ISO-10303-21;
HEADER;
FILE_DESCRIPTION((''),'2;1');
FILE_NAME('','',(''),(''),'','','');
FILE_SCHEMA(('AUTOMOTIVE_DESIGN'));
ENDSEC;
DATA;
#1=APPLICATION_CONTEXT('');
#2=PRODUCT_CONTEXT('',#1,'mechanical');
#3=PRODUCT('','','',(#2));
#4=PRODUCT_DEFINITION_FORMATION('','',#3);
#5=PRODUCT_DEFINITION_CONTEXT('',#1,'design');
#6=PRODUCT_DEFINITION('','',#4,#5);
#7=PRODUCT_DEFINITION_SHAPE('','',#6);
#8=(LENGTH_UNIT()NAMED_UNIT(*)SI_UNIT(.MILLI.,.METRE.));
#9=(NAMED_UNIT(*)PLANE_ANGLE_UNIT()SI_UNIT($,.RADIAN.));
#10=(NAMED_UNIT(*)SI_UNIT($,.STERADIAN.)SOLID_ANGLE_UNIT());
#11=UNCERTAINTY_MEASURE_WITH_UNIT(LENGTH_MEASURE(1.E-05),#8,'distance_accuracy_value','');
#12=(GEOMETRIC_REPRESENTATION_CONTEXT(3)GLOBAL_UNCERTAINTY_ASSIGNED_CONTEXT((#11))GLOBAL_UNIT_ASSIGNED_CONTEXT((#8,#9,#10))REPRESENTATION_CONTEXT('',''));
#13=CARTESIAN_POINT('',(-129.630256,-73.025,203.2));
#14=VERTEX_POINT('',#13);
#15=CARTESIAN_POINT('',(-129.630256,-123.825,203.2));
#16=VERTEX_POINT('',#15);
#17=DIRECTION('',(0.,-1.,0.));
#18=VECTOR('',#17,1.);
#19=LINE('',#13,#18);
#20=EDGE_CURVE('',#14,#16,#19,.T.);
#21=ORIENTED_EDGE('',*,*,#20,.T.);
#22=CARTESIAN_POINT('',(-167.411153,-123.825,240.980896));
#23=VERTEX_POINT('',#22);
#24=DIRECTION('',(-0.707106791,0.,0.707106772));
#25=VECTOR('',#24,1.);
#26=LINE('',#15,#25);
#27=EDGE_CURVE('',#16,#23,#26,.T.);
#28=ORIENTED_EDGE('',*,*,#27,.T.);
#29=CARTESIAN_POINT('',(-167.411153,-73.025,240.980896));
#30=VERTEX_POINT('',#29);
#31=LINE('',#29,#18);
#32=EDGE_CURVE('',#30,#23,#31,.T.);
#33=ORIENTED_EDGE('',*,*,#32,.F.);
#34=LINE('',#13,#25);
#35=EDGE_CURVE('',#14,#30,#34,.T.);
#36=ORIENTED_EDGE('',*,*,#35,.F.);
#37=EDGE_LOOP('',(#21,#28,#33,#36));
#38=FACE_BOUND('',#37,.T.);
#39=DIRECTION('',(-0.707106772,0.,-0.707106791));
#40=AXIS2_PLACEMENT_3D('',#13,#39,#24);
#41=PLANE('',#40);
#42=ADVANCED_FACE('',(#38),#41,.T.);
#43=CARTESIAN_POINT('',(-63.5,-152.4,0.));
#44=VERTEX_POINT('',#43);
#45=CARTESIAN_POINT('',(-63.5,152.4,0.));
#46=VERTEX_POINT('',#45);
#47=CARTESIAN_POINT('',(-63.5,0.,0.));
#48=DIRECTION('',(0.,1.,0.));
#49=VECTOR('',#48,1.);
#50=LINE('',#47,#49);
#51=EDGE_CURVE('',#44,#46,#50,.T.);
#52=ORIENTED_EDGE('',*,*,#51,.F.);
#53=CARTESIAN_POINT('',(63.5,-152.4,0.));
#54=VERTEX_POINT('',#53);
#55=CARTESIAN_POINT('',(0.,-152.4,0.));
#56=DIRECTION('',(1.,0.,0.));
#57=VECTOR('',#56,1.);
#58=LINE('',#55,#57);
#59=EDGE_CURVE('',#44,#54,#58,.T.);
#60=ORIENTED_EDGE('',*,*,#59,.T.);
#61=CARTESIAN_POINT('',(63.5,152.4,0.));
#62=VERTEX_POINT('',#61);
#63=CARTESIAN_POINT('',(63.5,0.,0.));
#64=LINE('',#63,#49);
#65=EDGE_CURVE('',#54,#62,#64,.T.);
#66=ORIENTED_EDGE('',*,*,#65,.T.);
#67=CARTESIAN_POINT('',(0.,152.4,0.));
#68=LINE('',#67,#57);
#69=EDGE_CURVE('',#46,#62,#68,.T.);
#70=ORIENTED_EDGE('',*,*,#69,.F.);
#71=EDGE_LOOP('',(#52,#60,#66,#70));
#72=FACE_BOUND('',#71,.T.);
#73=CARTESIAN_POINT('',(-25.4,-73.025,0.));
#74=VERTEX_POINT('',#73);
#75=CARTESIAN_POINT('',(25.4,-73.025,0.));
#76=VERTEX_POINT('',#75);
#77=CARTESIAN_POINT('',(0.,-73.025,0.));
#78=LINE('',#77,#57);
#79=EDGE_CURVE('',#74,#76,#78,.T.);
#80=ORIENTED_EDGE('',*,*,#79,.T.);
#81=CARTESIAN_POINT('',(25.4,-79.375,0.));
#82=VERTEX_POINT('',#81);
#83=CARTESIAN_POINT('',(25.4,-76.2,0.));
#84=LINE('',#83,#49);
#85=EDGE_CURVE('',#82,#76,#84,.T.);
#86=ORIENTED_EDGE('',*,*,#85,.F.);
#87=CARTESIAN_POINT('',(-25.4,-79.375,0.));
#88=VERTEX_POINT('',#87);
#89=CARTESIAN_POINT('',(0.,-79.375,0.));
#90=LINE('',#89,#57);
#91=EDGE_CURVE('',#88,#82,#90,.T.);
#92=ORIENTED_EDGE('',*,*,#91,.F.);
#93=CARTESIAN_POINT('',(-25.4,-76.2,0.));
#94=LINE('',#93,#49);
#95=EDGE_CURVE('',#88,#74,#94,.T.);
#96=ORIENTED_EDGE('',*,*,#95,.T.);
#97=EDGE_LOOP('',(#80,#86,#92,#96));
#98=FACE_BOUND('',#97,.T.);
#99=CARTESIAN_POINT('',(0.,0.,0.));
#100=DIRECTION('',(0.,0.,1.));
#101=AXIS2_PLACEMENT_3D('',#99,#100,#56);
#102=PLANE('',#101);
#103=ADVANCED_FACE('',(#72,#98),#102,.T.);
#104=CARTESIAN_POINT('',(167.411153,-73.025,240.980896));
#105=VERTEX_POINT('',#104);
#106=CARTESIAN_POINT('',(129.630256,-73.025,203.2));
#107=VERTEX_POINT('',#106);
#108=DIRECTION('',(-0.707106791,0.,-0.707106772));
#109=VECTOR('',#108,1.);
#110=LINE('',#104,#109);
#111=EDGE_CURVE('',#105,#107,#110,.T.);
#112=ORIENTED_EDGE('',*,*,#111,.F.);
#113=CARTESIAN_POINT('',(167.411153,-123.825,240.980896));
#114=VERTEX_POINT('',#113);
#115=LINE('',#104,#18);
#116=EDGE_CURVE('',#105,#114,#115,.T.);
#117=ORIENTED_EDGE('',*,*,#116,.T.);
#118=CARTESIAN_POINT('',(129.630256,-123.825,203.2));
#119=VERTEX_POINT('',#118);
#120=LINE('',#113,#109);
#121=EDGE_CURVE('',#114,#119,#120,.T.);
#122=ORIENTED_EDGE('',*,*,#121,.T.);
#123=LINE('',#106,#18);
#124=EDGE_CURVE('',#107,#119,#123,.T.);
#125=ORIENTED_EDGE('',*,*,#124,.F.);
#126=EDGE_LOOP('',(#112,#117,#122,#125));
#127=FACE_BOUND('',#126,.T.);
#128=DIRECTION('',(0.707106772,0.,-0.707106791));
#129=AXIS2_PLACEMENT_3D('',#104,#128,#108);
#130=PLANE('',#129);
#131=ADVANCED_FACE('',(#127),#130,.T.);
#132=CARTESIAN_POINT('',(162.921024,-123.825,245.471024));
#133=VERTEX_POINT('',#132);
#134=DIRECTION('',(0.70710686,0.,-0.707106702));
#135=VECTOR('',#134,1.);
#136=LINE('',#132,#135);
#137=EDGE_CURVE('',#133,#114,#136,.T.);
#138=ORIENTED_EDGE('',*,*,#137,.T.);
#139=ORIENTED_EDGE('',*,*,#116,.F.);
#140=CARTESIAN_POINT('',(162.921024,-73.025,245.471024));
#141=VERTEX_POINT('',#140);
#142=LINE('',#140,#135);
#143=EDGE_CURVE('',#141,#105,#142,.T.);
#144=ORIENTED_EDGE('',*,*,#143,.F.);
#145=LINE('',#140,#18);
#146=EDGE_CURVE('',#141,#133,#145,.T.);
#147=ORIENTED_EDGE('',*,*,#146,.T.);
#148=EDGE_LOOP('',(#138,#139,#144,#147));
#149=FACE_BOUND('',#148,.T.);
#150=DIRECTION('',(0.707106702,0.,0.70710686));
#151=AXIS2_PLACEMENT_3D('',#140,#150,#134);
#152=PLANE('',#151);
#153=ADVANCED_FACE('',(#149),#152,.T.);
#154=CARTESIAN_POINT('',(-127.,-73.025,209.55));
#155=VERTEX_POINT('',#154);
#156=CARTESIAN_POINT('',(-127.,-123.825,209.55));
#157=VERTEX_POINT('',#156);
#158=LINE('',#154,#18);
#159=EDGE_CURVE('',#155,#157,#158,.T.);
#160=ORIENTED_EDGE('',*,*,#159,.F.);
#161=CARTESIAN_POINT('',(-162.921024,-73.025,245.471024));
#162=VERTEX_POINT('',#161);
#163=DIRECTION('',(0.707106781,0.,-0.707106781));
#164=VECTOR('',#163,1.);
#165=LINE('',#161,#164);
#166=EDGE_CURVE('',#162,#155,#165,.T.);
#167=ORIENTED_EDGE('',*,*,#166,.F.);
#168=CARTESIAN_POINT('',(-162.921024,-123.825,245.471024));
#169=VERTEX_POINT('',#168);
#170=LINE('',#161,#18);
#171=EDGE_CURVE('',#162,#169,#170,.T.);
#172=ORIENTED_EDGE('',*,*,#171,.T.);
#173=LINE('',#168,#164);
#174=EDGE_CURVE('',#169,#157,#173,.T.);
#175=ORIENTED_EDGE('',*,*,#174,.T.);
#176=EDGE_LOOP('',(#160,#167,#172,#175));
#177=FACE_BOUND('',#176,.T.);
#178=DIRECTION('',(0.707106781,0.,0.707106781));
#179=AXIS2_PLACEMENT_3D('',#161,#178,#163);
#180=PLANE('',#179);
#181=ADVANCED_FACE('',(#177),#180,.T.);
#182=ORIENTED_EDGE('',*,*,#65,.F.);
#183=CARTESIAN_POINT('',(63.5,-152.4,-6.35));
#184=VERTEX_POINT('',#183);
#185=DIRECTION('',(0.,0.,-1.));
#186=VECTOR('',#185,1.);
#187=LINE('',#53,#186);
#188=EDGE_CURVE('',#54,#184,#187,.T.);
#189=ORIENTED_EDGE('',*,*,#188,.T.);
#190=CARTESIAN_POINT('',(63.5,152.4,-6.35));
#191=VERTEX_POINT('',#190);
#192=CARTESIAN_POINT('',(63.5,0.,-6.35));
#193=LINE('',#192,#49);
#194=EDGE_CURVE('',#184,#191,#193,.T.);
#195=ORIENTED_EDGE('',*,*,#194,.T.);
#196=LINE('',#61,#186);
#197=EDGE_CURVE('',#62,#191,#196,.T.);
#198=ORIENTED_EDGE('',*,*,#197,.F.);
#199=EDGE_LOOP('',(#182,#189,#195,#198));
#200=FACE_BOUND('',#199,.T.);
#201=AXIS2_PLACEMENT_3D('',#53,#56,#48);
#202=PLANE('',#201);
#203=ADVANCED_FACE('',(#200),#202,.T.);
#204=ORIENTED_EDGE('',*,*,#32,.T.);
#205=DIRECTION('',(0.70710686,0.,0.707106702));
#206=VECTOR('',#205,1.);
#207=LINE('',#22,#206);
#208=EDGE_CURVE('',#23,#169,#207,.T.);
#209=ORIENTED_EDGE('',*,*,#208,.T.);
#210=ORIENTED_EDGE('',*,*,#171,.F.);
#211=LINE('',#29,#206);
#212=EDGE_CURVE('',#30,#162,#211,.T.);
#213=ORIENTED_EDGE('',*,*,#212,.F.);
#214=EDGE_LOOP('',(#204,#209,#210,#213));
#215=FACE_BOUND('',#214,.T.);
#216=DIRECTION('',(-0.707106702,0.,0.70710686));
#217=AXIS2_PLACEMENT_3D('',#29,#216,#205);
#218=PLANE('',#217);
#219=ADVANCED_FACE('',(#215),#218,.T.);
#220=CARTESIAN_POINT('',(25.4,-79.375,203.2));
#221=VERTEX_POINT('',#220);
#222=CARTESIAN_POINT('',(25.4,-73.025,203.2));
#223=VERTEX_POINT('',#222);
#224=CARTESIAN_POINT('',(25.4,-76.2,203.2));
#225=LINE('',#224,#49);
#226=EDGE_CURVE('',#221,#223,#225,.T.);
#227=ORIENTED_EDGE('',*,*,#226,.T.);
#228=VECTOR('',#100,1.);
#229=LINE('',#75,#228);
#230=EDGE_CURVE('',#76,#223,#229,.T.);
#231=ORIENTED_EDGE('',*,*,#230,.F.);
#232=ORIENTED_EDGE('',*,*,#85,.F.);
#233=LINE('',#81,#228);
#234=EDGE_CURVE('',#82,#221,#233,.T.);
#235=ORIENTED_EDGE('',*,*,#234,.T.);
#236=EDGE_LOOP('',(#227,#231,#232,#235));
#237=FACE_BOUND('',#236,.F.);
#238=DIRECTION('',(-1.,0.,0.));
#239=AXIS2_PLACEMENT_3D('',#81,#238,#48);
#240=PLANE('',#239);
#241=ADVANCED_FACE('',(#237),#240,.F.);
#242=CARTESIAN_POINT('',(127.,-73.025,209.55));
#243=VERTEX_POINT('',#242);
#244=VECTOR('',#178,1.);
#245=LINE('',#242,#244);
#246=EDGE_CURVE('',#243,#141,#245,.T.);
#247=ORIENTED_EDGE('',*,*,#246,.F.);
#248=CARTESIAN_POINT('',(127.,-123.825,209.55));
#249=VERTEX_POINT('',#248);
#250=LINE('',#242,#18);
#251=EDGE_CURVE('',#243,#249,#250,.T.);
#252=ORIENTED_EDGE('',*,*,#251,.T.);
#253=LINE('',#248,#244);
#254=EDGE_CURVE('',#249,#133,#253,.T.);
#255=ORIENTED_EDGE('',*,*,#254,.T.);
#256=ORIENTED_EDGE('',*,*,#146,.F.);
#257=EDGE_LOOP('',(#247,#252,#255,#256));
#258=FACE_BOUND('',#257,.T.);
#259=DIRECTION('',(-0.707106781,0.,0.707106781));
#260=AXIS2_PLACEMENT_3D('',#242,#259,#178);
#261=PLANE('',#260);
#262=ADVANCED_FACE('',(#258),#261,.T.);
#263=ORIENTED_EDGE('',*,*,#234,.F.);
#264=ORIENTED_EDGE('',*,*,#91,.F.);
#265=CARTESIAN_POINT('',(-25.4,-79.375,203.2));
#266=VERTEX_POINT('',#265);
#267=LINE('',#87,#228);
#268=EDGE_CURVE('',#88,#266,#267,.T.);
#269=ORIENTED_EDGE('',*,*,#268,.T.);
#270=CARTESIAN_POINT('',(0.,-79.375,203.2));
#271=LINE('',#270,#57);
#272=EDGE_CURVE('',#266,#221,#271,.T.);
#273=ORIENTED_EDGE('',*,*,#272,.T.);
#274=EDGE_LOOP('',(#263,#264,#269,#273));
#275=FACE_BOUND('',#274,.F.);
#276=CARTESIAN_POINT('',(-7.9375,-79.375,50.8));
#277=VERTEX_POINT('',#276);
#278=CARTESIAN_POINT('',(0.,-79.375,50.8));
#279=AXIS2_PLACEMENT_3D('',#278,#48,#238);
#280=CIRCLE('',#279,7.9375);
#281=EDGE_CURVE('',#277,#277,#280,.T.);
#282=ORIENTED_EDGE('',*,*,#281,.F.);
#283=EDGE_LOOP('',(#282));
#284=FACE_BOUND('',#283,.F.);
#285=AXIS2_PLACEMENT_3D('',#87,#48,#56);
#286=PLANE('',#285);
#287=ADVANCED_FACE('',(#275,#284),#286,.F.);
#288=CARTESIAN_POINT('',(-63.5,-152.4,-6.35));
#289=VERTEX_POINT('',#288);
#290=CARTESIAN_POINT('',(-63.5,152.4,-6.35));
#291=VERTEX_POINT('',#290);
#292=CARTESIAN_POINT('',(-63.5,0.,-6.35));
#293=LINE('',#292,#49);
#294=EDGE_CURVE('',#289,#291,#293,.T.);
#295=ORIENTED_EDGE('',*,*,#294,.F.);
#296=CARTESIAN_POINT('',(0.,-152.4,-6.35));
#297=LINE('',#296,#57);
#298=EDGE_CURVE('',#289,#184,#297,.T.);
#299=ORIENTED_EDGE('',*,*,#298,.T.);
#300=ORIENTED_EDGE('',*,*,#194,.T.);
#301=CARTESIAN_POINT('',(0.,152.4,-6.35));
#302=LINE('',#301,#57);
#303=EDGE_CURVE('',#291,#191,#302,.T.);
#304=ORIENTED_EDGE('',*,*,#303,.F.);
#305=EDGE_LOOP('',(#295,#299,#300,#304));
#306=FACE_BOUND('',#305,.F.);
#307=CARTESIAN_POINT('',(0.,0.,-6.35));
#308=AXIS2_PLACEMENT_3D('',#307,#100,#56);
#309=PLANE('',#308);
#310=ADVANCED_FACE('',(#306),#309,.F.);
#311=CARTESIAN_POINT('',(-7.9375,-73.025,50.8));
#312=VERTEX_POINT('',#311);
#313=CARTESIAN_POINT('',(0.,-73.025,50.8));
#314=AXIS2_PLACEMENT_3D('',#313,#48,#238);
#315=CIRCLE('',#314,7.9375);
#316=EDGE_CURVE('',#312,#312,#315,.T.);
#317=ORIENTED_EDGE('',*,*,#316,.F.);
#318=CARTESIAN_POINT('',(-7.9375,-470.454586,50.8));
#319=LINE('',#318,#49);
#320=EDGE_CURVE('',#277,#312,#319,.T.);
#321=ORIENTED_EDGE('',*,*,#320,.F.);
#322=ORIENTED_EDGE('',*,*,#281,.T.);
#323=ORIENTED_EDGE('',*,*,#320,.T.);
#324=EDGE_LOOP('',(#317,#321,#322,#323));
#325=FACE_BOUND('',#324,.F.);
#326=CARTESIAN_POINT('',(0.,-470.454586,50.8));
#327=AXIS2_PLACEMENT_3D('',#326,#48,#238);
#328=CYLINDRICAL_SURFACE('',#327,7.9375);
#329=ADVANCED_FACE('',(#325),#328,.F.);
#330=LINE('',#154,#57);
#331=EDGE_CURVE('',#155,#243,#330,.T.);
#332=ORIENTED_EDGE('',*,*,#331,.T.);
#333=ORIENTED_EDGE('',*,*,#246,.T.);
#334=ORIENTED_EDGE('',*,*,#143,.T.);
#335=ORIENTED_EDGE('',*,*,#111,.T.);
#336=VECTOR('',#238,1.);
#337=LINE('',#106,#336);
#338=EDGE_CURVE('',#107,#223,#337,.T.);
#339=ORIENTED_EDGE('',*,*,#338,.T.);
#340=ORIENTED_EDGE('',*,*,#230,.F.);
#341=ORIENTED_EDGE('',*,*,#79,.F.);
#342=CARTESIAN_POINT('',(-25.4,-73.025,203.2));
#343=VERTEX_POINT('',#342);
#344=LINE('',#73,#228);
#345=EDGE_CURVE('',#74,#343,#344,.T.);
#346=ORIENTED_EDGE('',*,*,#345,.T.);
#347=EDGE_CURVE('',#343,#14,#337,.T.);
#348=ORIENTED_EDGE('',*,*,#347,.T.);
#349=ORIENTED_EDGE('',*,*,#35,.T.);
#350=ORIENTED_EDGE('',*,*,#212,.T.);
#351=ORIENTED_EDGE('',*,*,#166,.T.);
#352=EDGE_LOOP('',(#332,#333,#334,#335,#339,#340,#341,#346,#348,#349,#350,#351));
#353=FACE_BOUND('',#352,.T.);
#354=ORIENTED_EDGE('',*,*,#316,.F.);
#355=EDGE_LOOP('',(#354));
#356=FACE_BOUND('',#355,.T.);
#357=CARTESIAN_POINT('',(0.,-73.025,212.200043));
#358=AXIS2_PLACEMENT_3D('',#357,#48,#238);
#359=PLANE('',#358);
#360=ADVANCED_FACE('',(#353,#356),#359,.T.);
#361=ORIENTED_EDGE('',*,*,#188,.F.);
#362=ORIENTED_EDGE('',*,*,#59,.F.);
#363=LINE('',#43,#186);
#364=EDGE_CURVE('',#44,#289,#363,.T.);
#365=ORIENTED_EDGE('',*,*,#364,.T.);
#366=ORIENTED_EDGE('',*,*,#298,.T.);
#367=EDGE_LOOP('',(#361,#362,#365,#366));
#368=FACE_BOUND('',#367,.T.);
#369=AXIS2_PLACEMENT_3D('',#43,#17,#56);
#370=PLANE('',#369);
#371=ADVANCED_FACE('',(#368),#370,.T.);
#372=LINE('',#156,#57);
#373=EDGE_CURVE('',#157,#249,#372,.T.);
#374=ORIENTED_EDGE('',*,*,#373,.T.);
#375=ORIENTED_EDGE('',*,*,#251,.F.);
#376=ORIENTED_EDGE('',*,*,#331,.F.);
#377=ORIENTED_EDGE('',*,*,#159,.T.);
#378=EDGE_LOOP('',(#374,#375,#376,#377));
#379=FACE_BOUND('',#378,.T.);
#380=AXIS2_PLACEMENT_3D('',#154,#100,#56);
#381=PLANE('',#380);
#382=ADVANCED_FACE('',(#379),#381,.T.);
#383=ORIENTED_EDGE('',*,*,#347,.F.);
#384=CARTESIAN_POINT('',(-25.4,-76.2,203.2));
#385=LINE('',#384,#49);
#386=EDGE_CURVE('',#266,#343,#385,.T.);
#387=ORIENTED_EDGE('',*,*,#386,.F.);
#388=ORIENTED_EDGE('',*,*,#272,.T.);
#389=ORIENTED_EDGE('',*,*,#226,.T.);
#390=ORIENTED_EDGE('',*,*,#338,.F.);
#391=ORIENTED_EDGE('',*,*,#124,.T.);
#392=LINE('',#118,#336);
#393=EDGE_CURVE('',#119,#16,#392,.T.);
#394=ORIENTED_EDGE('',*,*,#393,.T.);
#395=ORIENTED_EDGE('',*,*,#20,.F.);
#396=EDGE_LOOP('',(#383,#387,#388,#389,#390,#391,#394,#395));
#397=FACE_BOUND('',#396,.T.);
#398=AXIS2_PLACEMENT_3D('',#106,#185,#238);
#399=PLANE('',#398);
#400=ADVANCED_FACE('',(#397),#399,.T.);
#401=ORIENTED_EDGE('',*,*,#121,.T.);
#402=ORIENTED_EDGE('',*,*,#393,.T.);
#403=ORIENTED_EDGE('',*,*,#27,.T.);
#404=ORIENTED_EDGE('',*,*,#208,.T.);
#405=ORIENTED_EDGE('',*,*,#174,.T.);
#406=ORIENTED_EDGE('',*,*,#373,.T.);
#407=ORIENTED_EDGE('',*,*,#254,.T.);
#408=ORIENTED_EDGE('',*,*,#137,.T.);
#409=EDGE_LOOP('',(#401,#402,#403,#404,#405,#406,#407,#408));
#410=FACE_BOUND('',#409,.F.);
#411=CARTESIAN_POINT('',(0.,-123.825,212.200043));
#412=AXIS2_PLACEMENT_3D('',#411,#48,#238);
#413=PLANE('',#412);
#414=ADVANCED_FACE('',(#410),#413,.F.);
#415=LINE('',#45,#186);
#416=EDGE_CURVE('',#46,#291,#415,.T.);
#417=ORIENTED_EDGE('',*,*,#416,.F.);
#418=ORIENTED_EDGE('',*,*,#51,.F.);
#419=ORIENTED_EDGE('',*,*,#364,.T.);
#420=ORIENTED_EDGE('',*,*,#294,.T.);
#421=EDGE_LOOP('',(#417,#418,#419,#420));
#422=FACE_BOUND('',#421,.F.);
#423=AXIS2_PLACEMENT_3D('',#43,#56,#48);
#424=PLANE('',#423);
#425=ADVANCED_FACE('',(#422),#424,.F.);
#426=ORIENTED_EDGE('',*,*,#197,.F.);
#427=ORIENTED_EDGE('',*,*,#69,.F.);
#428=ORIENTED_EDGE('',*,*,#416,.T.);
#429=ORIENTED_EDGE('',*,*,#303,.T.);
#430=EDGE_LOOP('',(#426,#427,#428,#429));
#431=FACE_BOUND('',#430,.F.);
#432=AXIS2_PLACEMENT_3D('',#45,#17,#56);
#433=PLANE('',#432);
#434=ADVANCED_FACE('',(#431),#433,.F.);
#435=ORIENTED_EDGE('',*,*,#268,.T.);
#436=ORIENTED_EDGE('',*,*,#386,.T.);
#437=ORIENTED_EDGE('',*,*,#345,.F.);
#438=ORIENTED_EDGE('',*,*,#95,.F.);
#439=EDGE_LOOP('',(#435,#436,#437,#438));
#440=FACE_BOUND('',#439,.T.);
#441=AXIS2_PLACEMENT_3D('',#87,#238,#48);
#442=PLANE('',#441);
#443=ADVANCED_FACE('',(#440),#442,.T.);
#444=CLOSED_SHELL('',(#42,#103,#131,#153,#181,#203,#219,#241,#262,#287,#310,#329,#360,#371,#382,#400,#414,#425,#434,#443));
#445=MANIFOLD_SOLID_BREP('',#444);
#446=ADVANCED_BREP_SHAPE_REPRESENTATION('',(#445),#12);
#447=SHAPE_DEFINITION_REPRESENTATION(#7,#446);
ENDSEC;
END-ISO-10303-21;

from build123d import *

# Parameters (mm, degrees)
F0_W     = 127
F0_H     = 304.8
F1_DEPTH = 6.35
F2_W     = 50.8
F2_H     = 6.35
F3_DEPTH = 203.2
F5_D     = 15.875
F7_DEPTH = 50.8


with BuildPart() as f1:
    # F0 (on Top) → F1 (new body)
    with BuildSketch(Plane.XY):
        Rectangle(F0_W, F0_H)
    extrude(amount=-F1_DEPTH)

    # F2 (on face) → F3 (join)
    with BuildSketch(Plane.XY):
        with Locations((0, -76.2)):
            Rectangle(F2_W, F2_H)
    extrude(amount=F3_DEPTH)

    # F5 (through all)
    with Locations(Plane.XZ.offset(79.375)):
        with Locations((0, 50.8)):
            Hole(F5_D / 2)

    # F6 (on face) → F7 (join)
    with BuildSketch(Plane(origin=(0, -73.025, 0), x_dir=(-1, 0, 0), z_dir=(0, 1, 0))):
        Polygon((-129.630256, 203.2), (-127, 203.2), (127, 203.2), (129.630256, 203.2), (167.411153, 240.980896), (162.921024, 245.471024), (127, 209.55), (-127, 209.55), (-162.921024, 245.471024), (-167.411153, 240.980896), align=None)
    extrude(amount=-F7_DEPTH)


solid = f1.part
